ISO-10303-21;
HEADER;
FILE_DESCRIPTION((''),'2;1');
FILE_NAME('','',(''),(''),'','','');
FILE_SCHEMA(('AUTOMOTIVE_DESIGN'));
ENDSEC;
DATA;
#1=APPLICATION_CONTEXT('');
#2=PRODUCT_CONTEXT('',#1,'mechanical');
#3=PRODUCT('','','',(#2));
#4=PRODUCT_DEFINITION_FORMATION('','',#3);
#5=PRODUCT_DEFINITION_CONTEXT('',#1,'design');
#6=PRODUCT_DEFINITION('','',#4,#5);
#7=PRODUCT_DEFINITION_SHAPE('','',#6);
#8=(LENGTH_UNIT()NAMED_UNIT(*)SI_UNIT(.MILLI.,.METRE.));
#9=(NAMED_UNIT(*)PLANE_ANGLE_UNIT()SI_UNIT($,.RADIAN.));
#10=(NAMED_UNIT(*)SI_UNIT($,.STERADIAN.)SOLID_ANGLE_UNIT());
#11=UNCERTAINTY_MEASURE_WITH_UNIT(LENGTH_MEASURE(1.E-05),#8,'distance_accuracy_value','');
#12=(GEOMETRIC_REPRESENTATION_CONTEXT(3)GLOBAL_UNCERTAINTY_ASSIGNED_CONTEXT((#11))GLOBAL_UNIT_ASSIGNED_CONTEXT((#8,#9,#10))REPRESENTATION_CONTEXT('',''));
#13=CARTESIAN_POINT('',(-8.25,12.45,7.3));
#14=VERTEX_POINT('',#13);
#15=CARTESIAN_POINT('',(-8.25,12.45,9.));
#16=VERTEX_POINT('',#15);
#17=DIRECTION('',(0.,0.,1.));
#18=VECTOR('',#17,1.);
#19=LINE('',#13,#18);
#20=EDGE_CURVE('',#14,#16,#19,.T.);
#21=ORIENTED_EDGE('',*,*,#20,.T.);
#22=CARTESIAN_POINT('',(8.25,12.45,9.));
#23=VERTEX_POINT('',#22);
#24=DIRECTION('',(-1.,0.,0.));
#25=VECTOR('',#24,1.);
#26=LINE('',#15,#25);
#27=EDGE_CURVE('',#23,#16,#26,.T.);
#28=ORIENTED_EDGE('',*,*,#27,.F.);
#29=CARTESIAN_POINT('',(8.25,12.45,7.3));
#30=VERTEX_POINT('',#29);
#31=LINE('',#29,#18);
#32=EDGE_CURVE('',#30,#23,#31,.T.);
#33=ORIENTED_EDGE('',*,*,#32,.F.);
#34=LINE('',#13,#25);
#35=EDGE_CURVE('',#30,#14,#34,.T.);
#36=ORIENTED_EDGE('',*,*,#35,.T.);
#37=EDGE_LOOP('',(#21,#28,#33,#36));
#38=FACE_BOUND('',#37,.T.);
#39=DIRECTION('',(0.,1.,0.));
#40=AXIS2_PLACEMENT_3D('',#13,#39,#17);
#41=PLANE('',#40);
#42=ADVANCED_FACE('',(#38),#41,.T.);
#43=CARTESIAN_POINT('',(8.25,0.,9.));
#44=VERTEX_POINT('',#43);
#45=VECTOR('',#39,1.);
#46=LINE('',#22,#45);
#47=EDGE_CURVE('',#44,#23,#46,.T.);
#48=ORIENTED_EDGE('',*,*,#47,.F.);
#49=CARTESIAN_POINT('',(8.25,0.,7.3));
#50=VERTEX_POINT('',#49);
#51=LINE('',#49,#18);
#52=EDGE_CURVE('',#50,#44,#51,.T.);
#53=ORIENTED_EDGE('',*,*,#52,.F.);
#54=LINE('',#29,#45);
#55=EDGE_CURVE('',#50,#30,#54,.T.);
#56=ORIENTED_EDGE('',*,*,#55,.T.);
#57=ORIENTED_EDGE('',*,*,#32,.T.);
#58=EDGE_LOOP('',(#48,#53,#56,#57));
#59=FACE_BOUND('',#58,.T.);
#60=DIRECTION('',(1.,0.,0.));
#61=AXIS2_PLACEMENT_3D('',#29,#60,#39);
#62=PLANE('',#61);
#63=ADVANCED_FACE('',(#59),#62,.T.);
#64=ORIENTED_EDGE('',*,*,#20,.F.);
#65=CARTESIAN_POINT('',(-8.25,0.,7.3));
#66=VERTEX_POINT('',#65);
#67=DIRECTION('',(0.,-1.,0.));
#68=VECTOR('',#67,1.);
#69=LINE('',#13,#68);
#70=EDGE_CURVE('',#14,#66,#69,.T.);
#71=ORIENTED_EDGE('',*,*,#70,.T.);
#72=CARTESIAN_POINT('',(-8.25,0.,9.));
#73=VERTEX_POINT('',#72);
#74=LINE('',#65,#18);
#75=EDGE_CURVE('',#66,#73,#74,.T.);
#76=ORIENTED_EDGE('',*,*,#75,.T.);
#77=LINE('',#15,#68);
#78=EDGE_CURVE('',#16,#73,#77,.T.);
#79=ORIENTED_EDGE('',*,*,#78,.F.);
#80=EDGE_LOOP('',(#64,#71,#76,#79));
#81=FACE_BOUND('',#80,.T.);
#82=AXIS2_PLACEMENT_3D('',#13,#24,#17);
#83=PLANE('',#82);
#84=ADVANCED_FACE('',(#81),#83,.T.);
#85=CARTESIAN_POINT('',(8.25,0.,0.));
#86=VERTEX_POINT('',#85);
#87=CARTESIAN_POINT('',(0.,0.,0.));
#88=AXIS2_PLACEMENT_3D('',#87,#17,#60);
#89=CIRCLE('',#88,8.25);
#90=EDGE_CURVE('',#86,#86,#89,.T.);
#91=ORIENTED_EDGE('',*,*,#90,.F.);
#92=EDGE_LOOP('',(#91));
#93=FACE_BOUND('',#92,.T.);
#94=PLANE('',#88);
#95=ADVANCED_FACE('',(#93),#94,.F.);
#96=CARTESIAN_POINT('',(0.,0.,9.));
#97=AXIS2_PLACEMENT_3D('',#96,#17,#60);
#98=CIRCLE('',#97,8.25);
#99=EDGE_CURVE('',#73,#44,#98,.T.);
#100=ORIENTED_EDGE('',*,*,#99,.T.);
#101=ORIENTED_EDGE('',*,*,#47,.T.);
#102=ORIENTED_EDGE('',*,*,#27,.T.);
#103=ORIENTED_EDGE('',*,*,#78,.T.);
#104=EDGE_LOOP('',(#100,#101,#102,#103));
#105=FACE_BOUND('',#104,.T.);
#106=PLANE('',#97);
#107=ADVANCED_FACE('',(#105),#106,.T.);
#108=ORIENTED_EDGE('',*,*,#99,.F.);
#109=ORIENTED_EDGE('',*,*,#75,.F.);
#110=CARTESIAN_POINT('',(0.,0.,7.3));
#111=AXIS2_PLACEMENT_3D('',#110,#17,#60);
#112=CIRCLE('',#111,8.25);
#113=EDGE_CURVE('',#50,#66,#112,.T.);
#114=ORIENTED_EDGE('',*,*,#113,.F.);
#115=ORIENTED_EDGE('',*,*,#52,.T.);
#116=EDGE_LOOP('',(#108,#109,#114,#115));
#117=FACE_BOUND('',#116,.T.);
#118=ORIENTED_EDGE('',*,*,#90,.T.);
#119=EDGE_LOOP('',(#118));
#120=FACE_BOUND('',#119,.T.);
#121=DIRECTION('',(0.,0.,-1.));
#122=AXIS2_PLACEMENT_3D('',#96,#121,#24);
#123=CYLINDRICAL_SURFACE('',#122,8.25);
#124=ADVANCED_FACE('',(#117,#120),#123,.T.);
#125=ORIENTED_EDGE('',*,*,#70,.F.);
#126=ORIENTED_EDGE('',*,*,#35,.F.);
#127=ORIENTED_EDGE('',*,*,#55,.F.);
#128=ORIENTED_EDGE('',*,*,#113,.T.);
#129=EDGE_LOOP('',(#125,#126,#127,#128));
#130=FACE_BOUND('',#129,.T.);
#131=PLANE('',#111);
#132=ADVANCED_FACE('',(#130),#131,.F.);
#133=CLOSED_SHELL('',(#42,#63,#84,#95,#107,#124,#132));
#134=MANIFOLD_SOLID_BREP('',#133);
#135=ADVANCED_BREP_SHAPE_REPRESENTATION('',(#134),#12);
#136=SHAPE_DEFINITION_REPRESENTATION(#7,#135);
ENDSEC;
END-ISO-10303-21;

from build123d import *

# Parameters (mm, degrees)
SKETCH1_R           = 8.25
BOSS_EXTRUDE1_DEPTH = 9
SKETCH2_W           = 16.5
SKETCH2_H           = 12.45
BOSS_EXTRUDE2_DEPTH = 1.7


with BuildPart() as part:
    # Sketch1 → Boss-Extrude1 (new body)
    with BuildSketch(Plane.XY):
        Circle(SKETCH1_R)
    extrude(amount=BOSS_EXTRUDE1_DEPTH)

    # Sketch2 → Boss-Extrude2 (add)
    with BuildSketch(Plane.XY.offset(9)):
        with Locations((0, 6.225)):
            Rectangle(SKETCH2_W, SKETCH2_H)
    extrude(amount=-BOSS_EXTRUDE2_DEPTH)


solid = part.part
